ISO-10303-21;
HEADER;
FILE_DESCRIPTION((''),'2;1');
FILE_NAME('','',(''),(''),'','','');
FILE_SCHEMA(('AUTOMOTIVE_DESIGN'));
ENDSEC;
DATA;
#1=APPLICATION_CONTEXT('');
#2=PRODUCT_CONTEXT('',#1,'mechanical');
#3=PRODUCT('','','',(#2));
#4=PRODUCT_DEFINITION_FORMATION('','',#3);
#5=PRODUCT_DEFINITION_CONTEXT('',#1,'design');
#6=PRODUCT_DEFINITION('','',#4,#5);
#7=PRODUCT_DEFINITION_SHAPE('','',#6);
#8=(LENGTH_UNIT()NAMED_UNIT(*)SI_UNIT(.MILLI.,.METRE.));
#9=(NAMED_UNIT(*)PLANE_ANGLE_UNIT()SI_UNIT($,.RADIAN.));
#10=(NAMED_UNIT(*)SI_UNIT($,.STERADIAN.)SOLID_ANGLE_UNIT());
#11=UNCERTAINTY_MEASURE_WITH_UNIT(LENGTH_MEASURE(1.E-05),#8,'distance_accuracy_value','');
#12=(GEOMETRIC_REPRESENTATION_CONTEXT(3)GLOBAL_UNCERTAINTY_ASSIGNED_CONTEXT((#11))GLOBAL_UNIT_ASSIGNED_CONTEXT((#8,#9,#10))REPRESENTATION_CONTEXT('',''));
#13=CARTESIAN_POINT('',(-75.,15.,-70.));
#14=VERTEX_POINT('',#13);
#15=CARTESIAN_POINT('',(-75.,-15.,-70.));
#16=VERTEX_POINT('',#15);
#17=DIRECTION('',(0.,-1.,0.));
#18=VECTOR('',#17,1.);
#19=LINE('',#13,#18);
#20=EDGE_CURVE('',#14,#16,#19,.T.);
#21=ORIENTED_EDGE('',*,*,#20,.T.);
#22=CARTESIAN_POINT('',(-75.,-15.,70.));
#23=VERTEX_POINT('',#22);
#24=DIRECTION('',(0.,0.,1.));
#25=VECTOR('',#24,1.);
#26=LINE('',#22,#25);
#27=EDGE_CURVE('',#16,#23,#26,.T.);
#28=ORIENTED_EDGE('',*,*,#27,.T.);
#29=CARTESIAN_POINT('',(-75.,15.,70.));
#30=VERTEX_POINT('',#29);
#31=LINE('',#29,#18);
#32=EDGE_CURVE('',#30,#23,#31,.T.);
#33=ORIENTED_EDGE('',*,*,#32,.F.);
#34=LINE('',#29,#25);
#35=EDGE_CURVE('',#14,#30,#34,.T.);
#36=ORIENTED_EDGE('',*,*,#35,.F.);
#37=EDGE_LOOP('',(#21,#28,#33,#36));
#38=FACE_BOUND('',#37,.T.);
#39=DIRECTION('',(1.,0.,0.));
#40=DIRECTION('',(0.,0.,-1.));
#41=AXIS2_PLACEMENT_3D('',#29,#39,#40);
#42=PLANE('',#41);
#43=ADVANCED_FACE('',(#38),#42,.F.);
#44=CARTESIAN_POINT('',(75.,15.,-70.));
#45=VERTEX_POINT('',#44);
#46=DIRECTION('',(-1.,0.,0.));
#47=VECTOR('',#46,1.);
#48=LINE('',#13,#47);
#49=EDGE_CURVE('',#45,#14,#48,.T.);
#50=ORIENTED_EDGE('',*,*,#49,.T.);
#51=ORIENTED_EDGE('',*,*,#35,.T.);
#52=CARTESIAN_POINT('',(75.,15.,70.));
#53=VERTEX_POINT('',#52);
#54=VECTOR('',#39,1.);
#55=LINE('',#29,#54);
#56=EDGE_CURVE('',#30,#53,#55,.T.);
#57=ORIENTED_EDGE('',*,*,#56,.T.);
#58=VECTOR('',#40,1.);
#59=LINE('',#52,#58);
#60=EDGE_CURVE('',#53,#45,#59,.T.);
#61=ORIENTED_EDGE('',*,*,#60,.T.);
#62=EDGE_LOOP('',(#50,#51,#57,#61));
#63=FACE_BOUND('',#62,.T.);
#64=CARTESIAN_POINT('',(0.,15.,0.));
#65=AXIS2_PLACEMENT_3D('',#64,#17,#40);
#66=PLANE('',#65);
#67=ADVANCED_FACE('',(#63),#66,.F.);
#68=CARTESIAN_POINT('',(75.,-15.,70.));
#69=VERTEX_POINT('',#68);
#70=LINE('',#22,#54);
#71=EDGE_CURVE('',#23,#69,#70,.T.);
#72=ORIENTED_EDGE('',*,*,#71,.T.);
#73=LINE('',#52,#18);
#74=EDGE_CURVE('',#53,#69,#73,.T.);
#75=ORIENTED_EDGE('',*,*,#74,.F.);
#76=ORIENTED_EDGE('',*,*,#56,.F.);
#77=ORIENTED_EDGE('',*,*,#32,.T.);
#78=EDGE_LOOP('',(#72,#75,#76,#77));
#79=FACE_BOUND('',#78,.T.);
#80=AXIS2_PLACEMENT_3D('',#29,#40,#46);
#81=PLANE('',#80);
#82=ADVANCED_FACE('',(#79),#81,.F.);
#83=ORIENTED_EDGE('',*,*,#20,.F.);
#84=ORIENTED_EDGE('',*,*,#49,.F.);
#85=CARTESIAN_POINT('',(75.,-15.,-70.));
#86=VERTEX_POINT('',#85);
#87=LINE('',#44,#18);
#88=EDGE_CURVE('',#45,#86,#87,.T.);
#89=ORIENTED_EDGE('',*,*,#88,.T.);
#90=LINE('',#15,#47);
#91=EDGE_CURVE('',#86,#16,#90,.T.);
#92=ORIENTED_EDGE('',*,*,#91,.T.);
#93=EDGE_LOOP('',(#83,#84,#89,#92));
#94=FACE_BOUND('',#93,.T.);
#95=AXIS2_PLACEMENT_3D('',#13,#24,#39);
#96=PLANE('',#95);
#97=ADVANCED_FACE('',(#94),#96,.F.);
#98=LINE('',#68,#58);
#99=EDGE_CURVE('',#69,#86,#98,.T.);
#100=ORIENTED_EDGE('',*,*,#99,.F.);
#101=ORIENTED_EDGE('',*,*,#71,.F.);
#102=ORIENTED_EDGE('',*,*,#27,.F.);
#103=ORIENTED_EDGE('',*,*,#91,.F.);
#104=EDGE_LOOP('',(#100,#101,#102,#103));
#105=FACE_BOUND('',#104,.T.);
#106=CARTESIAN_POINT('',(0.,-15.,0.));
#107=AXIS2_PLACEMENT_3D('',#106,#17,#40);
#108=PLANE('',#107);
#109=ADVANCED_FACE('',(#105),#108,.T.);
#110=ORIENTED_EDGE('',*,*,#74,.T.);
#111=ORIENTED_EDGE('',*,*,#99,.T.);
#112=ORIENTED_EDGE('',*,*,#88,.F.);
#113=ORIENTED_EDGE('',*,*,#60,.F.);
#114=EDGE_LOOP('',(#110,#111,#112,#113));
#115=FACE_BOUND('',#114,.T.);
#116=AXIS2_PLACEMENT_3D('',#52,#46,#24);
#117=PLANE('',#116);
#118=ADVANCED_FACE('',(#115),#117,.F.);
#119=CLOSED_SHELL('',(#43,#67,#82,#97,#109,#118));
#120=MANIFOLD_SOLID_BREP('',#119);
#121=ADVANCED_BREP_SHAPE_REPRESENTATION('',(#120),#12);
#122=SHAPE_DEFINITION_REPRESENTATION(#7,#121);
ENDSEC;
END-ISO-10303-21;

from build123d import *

# Parameters (mm, degrees)
ESBO_O1_W                = 150
ESBO_O1_H                = 140
RESSALTO_EXTRUS_O1_DEPTH = 15


with BuildPart() as part:
    # Esboço1 → Ressalto-extrusão1 (new, symmetric)
    with BuildSketch(Plane(origin=(0, 0, 0), x_dir=(1, 0, 0), z_dir=(0, 1, 0))):
        Rectangle(ESBO_O1_W, ESBO_O1_H)
    extrude(amount=RESSALTO_EXTRUS_O1_DEPTH, both=True)


solid = part.part
